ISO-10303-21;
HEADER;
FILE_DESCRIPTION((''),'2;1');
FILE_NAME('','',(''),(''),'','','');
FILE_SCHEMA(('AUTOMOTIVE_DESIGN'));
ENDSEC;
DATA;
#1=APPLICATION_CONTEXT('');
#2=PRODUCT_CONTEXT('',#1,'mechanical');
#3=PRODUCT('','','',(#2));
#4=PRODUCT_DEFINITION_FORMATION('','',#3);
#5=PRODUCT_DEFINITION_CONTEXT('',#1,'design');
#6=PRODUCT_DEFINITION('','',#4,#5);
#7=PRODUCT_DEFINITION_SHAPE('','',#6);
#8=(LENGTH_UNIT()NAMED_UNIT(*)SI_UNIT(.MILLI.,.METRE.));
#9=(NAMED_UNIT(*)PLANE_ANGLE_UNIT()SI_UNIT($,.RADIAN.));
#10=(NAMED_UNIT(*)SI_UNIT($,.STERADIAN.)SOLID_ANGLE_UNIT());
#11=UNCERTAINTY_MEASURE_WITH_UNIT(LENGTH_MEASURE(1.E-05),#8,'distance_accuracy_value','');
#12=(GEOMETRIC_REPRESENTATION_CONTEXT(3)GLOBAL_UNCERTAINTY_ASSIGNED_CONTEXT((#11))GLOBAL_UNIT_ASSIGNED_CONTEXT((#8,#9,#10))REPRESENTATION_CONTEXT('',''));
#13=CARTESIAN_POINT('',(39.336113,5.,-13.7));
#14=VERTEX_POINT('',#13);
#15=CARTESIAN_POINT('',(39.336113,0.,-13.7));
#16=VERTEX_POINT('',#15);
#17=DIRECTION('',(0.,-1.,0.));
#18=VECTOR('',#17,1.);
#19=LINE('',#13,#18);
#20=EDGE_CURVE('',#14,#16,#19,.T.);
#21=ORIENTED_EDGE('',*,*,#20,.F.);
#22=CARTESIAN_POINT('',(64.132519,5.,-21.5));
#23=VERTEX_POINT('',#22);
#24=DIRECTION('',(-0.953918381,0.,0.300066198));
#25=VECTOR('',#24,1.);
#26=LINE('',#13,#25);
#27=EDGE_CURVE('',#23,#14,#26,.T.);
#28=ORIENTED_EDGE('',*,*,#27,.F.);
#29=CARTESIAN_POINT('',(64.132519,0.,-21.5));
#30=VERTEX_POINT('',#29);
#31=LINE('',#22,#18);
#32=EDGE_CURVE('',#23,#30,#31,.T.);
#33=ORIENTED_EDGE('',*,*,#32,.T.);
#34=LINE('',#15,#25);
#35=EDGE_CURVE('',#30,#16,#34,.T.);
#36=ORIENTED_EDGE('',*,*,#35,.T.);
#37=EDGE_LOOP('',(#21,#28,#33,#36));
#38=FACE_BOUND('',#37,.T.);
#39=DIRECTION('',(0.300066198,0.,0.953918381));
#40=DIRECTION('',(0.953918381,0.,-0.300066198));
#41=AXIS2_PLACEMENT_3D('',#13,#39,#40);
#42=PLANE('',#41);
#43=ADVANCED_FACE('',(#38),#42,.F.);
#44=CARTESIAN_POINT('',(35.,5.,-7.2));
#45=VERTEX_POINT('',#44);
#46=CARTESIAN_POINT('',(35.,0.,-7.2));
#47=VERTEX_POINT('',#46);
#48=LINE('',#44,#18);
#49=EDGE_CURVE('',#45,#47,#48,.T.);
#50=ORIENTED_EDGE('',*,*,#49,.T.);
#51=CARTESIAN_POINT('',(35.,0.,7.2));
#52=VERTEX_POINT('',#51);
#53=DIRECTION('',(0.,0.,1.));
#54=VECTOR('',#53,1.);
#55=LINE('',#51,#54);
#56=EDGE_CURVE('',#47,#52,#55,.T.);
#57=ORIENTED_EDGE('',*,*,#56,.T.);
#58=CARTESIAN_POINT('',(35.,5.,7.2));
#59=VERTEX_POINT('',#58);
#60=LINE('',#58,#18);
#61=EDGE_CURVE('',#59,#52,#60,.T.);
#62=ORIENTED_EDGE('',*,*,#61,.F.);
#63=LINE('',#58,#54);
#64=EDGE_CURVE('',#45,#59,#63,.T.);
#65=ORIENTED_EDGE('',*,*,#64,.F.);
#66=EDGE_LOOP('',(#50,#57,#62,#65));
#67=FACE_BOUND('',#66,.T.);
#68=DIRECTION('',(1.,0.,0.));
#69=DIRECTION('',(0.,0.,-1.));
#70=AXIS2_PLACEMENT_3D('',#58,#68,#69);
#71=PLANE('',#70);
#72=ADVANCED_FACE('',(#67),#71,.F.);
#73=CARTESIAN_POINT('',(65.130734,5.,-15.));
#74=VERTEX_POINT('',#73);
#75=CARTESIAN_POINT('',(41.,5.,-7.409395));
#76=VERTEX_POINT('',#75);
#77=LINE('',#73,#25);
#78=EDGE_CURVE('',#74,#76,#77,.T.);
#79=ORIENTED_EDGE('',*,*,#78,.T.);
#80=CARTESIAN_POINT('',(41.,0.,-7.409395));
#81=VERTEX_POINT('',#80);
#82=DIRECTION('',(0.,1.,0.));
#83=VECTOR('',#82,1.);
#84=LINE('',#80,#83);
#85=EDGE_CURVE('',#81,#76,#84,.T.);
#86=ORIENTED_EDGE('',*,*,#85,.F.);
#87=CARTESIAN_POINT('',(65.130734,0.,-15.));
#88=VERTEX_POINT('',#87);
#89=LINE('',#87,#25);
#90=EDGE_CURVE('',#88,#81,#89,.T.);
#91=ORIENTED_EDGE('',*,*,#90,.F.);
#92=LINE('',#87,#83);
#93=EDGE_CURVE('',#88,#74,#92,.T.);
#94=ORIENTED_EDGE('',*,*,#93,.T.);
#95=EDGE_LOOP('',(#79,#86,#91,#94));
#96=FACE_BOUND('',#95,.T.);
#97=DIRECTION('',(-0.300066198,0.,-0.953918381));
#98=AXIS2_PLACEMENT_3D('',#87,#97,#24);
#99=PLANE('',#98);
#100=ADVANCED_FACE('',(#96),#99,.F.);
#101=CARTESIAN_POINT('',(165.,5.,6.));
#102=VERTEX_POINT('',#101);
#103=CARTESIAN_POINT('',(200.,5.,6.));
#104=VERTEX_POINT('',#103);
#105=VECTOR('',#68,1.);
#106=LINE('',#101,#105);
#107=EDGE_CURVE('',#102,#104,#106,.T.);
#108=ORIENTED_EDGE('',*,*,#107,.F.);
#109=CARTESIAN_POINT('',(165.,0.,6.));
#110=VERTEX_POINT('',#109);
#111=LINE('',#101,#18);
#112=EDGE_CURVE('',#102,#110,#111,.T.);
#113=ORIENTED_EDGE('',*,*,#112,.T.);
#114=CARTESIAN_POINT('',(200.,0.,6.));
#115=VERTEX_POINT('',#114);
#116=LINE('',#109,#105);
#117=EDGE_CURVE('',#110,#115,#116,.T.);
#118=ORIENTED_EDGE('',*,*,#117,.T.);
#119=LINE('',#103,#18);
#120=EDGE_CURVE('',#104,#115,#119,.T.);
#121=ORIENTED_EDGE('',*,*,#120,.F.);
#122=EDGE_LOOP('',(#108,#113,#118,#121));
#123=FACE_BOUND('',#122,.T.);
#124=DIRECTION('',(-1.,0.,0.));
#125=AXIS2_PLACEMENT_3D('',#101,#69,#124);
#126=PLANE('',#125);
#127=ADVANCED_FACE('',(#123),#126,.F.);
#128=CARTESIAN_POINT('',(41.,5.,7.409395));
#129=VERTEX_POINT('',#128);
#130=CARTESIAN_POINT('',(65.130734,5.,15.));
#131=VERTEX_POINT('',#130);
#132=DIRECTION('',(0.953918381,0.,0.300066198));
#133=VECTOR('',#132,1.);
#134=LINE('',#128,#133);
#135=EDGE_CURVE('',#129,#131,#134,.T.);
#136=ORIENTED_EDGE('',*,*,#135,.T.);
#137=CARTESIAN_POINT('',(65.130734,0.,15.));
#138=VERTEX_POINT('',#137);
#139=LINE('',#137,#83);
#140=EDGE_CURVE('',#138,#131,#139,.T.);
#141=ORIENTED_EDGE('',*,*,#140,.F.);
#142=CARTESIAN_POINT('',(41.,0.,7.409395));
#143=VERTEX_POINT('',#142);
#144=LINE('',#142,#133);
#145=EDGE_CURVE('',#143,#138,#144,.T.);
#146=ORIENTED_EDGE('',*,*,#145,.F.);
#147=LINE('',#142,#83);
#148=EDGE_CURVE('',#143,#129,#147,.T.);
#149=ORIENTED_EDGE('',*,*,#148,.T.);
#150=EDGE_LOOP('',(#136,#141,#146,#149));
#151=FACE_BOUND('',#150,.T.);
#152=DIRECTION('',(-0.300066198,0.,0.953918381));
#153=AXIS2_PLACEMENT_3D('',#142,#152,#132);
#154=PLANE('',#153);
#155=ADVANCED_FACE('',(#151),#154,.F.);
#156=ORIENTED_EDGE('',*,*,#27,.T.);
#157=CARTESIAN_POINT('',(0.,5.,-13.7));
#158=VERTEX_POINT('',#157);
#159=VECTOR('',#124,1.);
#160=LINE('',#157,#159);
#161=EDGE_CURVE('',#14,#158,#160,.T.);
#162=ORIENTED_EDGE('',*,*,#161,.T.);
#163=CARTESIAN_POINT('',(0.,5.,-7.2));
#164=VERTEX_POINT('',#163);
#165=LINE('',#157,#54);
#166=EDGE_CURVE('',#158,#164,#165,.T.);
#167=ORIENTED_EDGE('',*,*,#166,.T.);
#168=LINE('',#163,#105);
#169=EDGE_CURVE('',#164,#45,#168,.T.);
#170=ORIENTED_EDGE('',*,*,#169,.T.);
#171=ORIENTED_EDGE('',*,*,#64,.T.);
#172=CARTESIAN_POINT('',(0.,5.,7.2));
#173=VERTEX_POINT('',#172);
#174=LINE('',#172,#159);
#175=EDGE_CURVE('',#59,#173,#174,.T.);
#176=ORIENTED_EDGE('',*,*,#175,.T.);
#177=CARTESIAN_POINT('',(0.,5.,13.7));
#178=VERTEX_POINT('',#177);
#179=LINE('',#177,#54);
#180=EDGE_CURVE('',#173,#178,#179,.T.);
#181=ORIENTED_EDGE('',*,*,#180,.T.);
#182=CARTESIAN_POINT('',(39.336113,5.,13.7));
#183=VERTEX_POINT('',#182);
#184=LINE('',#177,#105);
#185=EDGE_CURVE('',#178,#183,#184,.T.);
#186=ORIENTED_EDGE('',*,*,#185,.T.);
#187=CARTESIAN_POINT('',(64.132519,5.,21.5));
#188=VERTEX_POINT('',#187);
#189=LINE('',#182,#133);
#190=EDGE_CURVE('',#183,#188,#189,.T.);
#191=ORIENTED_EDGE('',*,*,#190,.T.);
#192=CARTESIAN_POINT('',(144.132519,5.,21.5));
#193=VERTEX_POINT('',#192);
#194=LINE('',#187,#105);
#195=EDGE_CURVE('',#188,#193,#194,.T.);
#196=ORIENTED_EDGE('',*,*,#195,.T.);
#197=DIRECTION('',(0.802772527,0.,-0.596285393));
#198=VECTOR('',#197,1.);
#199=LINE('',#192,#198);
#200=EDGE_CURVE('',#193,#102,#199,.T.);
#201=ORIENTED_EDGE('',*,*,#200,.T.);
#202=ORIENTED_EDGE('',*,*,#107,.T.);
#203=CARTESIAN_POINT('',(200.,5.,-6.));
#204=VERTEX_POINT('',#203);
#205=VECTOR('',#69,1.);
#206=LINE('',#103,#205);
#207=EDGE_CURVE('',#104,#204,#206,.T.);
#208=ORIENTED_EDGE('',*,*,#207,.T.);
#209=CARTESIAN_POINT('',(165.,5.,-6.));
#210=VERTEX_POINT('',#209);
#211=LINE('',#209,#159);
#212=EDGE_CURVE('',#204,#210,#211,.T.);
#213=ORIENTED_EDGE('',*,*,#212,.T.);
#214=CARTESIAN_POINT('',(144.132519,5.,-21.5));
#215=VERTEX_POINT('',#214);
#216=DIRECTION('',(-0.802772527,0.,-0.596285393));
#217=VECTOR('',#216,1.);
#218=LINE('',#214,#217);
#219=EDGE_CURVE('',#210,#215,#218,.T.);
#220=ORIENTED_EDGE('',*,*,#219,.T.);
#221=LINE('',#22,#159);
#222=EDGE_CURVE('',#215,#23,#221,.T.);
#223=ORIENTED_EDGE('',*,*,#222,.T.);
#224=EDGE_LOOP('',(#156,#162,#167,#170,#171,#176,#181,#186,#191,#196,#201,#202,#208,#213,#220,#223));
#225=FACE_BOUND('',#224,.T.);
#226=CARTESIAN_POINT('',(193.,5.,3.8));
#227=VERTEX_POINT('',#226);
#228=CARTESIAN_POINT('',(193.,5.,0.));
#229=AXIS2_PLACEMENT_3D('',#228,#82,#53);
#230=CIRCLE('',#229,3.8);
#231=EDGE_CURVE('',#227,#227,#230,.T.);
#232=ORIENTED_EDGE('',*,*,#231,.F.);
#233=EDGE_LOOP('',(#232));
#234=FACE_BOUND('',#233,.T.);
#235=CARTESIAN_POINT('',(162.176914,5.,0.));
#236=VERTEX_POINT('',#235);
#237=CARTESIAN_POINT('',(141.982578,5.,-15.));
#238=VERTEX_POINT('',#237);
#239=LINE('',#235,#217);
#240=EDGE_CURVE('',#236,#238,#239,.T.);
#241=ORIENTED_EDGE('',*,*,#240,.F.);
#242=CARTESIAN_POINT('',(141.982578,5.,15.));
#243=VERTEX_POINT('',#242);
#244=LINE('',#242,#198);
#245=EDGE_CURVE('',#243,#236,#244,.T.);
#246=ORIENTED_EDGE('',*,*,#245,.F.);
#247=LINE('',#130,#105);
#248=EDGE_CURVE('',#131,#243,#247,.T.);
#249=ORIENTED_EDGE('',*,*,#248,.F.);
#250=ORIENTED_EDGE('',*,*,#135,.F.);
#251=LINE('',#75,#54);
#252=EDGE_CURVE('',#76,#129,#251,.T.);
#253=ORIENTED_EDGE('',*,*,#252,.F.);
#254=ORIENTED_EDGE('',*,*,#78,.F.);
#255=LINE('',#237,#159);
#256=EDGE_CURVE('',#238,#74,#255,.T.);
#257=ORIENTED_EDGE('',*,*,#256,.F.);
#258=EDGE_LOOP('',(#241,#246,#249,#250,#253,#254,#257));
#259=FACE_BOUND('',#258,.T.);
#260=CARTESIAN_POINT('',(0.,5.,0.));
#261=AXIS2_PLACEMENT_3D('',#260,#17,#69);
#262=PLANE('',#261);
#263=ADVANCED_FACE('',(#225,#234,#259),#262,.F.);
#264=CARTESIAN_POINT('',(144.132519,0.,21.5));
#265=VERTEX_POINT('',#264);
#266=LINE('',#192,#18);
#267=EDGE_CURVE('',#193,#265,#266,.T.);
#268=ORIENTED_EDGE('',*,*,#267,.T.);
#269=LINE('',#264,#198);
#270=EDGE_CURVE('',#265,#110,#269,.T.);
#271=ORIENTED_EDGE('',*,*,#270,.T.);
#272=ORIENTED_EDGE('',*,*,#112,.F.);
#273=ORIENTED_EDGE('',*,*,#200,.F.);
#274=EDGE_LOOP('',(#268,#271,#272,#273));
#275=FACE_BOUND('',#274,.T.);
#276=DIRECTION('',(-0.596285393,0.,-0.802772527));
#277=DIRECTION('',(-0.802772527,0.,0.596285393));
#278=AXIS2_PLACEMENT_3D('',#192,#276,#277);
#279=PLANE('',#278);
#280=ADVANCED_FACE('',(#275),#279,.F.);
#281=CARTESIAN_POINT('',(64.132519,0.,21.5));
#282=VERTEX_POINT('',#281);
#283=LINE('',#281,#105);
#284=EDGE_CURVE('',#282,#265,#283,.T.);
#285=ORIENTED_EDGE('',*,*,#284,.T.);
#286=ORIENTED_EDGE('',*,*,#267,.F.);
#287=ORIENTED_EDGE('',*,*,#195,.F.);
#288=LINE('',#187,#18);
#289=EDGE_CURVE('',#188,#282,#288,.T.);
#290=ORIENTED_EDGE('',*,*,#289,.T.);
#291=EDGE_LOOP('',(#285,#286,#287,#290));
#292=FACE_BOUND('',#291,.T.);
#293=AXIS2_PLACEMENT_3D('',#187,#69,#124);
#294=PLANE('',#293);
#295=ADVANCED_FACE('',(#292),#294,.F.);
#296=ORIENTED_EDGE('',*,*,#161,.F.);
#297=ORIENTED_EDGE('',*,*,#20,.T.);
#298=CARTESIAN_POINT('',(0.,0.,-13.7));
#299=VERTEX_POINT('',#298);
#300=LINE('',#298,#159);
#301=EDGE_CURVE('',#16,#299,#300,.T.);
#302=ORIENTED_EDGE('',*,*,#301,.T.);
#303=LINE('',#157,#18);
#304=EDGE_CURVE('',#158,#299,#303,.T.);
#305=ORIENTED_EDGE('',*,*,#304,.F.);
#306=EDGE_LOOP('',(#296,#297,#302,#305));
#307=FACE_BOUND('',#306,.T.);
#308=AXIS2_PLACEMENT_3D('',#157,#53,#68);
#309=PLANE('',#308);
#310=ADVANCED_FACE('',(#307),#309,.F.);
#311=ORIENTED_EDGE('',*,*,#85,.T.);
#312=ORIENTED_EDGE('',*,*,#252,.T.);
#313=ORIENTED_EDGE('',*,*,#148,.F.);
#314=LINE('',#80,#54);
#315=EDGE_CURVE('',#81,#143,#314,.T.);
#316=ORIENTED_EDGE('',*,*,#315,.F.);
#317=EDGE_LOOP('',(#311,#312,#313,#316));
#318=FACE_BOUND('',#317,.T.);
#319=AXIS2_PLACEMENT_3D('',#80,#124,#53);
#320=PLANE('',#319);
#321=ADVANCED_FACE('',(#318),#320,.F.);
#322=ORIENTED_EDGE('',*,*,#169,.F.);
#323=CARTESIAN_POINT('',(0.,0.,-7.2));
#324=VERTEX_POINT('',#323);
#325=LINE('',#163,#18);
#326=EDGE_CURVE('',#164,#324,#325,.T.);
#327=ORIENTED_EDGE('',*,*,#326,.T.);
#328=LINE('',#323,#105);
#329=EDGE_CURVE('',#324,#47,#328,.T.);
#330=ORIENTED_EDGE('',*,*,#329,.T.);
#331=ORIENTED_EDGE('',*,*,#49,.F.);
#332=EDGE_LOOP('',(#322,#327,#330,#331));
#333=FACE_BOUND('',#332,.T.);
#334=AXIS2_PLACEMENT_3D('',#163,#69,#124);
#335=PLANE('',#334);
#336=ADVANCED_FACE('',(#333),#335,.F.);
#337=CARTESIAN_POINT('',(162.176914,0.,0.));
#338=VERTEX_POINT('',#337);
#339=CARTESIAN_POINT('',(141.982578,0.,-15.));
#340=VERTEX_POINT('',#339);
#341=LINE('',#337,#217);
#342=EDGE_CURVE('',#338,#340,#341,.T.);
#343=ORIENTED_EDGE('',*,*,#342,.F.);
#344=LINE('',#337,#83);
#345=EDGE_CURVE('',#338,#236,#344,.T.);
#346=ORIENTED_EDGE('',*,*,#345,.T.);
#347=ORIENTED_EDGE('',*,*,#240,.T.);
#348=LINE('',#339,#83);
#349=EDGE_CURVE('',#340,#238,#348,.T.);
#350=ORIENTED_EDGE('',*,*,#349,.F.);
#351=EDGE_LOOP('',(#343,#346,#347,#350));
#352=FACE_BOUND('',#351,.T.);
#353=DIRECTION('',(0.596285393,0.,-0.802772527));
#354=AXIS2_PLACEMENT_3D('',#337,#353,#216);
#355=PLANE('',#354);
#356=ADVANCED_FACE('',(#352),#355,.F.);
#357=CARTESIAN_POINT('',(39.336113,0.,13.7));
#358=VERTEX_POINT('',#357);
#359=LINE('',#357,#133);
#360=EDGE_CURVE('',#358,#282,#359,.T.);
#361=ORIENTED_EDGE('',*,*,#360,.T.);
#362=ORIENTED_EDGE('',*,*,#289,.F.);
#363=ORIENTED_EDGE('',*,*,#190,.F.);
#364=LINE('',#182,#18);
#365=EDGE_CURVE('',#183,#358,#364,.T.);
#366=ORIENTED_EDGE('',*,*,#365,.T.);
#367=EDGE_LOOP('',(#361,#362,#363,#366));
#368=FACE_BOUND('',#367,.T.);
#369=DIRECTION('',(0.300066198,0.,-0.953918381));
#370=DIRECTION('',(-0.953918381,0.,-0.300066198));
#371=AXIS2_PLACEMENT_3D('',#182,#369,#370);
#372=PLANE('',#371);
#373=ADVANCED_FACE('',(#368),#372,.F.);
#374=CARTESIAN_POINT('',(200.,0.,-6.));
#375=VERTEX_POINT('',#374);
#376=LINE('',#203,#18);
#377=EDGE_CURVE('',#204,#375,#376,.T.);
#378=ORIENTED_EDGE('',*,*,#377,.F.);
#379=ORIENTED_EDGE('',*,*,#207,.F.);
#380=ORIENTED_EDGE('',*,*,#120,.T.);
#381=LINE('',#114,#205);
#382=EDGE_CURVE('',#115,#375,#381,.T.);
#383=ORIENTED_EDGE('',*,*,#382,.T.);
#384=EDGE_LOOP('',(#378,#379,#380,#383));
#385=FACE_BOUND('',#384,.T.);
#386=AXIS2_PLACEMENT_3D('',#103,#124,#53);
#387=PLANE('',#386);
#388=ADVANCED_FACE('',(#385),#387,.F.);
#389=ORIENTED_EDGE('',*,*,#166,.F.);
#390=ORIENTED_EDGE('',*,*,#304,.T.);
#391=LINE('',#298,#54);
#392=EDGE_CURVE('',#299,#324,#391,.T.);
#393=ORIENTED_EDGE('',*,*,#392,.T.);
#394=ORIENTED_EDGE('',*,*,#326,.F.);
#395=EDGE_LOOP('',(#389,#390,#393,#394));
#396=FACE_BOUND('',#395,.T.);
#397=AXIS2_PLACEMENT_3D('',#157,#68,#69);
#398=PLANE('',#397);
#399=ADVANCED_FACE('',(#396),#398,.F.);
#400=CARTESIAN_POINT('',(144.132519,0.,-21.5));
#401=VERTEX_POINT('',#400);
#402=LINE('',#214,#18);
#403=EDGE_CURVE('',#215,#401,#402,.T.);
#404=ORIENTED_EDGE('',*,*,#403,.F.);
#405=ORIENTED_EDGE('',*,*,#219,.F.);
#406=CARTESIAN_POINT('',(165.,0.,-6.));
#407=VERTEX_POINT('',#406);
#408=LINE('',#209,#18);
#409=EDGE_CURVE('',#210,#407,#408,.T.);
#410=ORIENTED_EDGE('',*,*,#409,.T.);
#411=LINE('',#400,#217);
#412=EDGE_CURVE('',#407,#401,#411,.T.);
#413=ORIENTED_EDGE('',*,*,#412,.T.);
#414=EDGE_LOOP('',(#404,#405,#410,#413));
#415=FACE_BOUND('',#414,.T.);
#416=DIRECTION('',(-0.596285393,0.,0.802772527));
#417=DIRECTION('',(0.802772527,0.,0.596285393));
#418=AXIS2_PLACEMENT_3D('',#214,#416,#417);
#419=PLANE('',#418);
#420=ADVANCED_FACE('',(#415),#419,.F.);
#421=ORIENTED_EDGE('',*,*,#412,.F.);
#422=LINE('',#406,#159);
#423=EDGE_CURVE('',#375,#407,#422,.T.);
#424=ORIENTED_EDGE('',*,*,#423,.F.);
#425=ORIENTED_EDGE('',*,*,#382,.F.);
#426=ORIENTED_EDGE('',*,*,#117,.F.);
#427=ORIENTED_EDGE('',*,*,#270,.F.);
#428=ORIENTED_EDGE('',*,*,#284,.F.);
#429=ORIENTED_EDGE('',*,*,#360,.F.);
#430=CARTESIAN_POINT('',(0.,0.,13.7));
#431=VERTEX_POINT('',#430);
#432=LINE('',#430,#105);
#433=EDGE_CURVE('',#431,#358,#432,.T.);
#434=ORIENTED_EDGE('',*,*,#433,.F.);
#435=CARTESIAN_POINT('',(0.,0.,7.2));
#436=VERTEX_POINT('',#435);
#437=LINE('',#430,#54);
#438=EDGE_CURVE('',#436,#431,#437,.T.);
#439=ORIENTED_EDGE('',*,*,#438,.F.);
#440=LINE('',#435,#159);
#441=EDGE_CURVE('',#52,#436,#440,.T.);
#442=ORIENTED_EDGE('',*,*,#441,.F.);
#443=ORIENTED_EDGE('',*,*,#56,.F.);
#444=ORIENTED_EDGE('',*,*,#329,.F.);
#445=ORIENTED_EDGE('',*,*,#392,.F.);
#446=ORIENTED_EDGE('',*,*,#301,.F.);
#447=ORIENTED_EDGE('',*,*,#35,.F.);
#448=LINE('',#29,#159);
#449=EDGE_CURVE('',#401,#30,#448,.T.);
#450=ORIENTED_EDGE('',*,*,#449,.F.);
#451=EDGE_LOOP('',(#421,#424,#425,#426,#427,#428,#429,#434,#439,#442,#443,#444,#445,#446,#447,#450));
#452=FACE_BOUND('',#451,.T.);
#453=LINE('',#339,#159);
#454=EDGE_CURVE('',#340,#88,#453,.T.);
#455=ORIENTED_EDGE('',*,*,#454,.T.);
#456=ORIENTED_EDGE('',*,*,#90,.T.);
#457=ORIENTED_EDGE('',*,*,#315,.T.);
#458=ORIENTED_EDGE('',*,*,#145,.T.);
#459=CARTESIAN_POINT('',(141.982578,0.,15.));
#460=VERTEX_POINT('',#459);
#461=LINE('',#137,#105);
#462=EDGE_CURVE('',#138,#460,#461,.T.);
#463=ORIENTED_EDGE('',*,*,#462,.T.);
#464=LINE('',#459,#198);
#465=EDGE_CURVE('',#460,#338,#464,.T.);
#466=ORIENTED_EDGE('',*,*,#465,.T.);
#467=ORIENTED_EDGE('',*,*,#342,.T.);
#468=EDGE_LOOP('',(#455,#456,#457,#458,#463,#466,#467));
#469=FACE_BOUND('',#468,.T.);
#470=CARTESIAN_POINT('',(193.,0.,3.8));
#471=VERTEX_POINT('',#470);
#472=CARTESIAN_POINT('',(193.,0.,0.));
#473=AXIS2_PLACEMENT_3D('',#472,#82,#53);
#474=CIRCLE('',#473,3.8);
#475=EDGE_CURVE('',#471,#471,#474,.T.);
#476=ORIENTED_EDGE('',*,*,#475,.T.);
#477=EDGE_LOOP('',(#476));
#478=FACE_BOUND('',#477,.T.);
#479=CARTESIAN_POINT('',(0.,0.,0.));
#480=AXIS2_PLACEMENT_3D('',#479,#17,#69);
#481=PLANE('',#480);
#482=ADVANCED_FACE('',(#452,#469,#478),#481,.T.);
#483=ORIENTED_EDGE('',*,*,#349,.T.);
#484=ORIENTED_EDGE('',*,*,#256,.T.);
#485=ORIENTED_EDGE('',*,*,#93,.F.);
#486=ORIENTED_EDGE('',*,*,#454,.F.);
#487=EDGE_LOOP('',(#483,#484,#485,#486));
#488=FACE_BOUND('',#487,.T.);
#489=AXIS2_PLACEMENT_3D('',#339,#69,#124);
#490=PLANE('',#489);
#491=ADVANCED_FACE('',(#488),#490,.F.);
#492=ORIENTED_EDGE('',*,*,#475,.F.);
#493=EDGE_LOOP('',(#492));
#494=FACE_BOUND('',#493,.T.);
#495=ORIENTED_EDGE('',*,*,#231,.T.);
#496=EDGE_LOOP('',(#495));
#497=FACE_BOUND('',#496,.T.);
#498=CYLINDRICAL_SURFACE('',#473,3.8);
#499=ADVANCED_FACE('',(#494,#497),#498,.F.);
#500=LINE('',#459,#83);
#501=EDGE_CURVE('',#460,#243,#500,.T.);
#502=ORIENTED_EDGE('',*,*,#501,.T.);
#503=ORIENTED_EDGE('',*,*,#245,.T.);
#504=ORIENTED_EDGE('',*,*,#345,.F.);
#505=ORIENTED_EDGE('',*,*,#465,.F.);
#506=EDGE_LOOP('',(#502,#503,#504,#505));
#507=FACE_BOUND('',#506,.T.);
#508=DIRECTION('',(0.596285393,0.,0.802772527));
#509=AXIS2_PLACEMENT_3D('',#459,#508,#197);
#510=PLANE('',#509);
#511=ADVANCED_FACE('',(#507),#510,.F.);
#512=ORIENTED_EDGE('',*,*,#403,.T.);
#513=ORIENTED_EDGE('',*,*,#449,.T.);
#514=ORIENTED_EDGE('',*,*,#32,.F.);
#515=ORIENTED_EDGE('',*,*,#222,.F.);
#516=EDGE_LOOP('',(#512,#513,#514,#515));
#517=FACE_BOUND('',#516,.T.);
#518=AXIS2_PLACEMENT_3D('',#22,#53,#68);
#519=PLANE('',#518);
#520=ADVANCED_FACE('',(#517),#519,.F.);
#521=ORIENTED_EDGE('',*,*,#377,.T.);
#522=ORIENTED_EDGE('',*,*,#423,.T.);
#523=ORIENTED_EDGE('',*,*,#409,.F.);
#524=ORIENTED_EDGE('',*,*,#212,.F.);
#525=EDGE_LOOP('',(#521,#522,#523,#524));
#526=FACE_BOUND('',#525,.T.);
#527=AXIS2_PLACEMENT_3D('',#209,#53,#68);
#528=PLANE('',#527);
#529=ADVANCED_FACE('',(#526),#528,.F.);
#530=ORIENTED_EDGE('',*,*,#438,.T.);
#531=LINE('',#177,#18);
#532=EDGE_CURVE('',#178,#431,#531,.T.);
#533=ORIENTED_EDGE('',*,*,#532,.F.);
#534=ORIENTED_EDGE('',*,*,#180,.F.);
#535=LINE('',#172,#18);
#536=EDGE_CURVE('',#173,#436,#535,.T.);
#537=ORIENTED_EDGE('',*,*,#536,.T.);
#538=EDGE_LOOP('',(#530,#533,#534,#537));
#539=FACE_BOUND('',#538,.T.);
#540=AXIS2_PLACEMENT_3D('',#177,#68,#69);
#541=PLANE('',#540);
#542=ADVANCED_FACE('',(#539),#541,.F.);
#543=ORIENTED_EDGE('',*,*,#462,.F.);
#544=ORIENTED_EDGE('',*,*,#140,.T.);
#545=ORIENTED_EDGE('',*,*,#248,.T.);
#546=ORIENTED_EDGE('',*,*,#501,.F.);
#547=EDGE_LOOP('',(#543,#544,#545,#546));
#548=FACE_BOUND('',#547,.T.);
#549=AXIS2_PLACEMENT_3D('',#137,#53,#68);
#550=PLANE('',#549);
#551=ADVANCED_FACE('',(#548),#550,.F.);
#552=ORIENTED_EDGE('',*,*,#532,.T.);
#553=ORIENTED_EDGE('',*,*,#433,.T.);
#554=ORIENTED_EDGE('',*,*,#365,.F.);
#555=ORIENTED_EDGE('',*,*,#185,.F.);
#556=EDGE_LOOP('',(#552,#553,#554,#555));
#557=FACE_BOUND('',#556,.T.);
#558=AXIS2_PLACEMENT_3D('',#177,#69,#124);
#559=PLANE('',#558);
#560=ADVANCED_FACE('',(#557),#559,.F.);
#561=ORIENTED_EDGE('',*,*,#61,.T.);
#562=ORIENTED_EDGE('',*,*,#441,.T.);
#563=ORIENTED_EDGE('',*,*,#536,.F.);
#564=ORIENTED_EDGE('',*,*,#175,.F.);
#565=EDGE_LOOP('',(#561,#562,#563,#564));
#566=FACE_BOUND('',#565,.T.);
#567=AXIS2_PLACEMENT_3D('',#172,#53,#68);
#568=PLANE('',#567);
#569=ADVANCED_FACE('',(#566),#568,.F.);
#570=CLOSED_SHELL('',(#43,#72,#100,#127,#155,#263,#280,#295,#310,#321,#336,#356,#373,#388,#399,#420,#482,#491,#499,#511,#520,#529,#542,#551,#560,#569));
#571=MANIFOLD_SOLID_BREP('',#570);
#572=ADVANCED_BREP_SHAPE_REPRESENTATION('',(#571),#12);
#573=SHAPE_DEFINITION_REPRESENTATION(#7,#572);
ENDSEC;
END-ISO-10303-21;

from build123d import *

# Parameters (mm, degrees)
BOSS_EXTRUDE1_DEPTH = 5
SKETCH3_R           = 3.8
CUT_EXTRUDE1_DEPTH  = 6


with BuildPart() as part:
    # Sketch2 → Boss-Extrude1 (new body)
    with BuildSketch(Plane(origin=(0, 0, 0), x_dir=(1, 0, 0), z_dir=(0, 1, 0))):
        Polygon((0, -13.7), (39.336112578, -13.7), (64.132518911, -21.5), (144.132518911, -21.5), (165, -6), (200, -6), (200, 6), (165, 6), (144.132518911, 21.5), (64.132518911, 21.5), (39.336112578, 13.7), (0, 13.7), (0, 7.2), (35, 7.2), (35, -7.2), (0, -7.2), align=None)
    extrude(amount=BOSS_EXTRUDE1_DEPTH)

    # Sketch3 → Cut-Extrude1 (cut, through all)
    with BuildSketch(Plane(origin=(0, 5, 0), x_dir=(1, 0, 0), z_dir=(0, 1, 0))):
        with Locations((193, 0)):
            Circle(SKETCH3_R)
        Polygon((41, 7.409395112), (41, -7.409395112), (65.130733731, -15), (141.982577641, -15), (162.176914179, 0), (141.982577641, 15), (65.130733731, 15), align=None)
    extrude(amount=-CUT_EXTRUDE1_DEPTH, mode=Mode.SUBTRACT)


solid = part.part
